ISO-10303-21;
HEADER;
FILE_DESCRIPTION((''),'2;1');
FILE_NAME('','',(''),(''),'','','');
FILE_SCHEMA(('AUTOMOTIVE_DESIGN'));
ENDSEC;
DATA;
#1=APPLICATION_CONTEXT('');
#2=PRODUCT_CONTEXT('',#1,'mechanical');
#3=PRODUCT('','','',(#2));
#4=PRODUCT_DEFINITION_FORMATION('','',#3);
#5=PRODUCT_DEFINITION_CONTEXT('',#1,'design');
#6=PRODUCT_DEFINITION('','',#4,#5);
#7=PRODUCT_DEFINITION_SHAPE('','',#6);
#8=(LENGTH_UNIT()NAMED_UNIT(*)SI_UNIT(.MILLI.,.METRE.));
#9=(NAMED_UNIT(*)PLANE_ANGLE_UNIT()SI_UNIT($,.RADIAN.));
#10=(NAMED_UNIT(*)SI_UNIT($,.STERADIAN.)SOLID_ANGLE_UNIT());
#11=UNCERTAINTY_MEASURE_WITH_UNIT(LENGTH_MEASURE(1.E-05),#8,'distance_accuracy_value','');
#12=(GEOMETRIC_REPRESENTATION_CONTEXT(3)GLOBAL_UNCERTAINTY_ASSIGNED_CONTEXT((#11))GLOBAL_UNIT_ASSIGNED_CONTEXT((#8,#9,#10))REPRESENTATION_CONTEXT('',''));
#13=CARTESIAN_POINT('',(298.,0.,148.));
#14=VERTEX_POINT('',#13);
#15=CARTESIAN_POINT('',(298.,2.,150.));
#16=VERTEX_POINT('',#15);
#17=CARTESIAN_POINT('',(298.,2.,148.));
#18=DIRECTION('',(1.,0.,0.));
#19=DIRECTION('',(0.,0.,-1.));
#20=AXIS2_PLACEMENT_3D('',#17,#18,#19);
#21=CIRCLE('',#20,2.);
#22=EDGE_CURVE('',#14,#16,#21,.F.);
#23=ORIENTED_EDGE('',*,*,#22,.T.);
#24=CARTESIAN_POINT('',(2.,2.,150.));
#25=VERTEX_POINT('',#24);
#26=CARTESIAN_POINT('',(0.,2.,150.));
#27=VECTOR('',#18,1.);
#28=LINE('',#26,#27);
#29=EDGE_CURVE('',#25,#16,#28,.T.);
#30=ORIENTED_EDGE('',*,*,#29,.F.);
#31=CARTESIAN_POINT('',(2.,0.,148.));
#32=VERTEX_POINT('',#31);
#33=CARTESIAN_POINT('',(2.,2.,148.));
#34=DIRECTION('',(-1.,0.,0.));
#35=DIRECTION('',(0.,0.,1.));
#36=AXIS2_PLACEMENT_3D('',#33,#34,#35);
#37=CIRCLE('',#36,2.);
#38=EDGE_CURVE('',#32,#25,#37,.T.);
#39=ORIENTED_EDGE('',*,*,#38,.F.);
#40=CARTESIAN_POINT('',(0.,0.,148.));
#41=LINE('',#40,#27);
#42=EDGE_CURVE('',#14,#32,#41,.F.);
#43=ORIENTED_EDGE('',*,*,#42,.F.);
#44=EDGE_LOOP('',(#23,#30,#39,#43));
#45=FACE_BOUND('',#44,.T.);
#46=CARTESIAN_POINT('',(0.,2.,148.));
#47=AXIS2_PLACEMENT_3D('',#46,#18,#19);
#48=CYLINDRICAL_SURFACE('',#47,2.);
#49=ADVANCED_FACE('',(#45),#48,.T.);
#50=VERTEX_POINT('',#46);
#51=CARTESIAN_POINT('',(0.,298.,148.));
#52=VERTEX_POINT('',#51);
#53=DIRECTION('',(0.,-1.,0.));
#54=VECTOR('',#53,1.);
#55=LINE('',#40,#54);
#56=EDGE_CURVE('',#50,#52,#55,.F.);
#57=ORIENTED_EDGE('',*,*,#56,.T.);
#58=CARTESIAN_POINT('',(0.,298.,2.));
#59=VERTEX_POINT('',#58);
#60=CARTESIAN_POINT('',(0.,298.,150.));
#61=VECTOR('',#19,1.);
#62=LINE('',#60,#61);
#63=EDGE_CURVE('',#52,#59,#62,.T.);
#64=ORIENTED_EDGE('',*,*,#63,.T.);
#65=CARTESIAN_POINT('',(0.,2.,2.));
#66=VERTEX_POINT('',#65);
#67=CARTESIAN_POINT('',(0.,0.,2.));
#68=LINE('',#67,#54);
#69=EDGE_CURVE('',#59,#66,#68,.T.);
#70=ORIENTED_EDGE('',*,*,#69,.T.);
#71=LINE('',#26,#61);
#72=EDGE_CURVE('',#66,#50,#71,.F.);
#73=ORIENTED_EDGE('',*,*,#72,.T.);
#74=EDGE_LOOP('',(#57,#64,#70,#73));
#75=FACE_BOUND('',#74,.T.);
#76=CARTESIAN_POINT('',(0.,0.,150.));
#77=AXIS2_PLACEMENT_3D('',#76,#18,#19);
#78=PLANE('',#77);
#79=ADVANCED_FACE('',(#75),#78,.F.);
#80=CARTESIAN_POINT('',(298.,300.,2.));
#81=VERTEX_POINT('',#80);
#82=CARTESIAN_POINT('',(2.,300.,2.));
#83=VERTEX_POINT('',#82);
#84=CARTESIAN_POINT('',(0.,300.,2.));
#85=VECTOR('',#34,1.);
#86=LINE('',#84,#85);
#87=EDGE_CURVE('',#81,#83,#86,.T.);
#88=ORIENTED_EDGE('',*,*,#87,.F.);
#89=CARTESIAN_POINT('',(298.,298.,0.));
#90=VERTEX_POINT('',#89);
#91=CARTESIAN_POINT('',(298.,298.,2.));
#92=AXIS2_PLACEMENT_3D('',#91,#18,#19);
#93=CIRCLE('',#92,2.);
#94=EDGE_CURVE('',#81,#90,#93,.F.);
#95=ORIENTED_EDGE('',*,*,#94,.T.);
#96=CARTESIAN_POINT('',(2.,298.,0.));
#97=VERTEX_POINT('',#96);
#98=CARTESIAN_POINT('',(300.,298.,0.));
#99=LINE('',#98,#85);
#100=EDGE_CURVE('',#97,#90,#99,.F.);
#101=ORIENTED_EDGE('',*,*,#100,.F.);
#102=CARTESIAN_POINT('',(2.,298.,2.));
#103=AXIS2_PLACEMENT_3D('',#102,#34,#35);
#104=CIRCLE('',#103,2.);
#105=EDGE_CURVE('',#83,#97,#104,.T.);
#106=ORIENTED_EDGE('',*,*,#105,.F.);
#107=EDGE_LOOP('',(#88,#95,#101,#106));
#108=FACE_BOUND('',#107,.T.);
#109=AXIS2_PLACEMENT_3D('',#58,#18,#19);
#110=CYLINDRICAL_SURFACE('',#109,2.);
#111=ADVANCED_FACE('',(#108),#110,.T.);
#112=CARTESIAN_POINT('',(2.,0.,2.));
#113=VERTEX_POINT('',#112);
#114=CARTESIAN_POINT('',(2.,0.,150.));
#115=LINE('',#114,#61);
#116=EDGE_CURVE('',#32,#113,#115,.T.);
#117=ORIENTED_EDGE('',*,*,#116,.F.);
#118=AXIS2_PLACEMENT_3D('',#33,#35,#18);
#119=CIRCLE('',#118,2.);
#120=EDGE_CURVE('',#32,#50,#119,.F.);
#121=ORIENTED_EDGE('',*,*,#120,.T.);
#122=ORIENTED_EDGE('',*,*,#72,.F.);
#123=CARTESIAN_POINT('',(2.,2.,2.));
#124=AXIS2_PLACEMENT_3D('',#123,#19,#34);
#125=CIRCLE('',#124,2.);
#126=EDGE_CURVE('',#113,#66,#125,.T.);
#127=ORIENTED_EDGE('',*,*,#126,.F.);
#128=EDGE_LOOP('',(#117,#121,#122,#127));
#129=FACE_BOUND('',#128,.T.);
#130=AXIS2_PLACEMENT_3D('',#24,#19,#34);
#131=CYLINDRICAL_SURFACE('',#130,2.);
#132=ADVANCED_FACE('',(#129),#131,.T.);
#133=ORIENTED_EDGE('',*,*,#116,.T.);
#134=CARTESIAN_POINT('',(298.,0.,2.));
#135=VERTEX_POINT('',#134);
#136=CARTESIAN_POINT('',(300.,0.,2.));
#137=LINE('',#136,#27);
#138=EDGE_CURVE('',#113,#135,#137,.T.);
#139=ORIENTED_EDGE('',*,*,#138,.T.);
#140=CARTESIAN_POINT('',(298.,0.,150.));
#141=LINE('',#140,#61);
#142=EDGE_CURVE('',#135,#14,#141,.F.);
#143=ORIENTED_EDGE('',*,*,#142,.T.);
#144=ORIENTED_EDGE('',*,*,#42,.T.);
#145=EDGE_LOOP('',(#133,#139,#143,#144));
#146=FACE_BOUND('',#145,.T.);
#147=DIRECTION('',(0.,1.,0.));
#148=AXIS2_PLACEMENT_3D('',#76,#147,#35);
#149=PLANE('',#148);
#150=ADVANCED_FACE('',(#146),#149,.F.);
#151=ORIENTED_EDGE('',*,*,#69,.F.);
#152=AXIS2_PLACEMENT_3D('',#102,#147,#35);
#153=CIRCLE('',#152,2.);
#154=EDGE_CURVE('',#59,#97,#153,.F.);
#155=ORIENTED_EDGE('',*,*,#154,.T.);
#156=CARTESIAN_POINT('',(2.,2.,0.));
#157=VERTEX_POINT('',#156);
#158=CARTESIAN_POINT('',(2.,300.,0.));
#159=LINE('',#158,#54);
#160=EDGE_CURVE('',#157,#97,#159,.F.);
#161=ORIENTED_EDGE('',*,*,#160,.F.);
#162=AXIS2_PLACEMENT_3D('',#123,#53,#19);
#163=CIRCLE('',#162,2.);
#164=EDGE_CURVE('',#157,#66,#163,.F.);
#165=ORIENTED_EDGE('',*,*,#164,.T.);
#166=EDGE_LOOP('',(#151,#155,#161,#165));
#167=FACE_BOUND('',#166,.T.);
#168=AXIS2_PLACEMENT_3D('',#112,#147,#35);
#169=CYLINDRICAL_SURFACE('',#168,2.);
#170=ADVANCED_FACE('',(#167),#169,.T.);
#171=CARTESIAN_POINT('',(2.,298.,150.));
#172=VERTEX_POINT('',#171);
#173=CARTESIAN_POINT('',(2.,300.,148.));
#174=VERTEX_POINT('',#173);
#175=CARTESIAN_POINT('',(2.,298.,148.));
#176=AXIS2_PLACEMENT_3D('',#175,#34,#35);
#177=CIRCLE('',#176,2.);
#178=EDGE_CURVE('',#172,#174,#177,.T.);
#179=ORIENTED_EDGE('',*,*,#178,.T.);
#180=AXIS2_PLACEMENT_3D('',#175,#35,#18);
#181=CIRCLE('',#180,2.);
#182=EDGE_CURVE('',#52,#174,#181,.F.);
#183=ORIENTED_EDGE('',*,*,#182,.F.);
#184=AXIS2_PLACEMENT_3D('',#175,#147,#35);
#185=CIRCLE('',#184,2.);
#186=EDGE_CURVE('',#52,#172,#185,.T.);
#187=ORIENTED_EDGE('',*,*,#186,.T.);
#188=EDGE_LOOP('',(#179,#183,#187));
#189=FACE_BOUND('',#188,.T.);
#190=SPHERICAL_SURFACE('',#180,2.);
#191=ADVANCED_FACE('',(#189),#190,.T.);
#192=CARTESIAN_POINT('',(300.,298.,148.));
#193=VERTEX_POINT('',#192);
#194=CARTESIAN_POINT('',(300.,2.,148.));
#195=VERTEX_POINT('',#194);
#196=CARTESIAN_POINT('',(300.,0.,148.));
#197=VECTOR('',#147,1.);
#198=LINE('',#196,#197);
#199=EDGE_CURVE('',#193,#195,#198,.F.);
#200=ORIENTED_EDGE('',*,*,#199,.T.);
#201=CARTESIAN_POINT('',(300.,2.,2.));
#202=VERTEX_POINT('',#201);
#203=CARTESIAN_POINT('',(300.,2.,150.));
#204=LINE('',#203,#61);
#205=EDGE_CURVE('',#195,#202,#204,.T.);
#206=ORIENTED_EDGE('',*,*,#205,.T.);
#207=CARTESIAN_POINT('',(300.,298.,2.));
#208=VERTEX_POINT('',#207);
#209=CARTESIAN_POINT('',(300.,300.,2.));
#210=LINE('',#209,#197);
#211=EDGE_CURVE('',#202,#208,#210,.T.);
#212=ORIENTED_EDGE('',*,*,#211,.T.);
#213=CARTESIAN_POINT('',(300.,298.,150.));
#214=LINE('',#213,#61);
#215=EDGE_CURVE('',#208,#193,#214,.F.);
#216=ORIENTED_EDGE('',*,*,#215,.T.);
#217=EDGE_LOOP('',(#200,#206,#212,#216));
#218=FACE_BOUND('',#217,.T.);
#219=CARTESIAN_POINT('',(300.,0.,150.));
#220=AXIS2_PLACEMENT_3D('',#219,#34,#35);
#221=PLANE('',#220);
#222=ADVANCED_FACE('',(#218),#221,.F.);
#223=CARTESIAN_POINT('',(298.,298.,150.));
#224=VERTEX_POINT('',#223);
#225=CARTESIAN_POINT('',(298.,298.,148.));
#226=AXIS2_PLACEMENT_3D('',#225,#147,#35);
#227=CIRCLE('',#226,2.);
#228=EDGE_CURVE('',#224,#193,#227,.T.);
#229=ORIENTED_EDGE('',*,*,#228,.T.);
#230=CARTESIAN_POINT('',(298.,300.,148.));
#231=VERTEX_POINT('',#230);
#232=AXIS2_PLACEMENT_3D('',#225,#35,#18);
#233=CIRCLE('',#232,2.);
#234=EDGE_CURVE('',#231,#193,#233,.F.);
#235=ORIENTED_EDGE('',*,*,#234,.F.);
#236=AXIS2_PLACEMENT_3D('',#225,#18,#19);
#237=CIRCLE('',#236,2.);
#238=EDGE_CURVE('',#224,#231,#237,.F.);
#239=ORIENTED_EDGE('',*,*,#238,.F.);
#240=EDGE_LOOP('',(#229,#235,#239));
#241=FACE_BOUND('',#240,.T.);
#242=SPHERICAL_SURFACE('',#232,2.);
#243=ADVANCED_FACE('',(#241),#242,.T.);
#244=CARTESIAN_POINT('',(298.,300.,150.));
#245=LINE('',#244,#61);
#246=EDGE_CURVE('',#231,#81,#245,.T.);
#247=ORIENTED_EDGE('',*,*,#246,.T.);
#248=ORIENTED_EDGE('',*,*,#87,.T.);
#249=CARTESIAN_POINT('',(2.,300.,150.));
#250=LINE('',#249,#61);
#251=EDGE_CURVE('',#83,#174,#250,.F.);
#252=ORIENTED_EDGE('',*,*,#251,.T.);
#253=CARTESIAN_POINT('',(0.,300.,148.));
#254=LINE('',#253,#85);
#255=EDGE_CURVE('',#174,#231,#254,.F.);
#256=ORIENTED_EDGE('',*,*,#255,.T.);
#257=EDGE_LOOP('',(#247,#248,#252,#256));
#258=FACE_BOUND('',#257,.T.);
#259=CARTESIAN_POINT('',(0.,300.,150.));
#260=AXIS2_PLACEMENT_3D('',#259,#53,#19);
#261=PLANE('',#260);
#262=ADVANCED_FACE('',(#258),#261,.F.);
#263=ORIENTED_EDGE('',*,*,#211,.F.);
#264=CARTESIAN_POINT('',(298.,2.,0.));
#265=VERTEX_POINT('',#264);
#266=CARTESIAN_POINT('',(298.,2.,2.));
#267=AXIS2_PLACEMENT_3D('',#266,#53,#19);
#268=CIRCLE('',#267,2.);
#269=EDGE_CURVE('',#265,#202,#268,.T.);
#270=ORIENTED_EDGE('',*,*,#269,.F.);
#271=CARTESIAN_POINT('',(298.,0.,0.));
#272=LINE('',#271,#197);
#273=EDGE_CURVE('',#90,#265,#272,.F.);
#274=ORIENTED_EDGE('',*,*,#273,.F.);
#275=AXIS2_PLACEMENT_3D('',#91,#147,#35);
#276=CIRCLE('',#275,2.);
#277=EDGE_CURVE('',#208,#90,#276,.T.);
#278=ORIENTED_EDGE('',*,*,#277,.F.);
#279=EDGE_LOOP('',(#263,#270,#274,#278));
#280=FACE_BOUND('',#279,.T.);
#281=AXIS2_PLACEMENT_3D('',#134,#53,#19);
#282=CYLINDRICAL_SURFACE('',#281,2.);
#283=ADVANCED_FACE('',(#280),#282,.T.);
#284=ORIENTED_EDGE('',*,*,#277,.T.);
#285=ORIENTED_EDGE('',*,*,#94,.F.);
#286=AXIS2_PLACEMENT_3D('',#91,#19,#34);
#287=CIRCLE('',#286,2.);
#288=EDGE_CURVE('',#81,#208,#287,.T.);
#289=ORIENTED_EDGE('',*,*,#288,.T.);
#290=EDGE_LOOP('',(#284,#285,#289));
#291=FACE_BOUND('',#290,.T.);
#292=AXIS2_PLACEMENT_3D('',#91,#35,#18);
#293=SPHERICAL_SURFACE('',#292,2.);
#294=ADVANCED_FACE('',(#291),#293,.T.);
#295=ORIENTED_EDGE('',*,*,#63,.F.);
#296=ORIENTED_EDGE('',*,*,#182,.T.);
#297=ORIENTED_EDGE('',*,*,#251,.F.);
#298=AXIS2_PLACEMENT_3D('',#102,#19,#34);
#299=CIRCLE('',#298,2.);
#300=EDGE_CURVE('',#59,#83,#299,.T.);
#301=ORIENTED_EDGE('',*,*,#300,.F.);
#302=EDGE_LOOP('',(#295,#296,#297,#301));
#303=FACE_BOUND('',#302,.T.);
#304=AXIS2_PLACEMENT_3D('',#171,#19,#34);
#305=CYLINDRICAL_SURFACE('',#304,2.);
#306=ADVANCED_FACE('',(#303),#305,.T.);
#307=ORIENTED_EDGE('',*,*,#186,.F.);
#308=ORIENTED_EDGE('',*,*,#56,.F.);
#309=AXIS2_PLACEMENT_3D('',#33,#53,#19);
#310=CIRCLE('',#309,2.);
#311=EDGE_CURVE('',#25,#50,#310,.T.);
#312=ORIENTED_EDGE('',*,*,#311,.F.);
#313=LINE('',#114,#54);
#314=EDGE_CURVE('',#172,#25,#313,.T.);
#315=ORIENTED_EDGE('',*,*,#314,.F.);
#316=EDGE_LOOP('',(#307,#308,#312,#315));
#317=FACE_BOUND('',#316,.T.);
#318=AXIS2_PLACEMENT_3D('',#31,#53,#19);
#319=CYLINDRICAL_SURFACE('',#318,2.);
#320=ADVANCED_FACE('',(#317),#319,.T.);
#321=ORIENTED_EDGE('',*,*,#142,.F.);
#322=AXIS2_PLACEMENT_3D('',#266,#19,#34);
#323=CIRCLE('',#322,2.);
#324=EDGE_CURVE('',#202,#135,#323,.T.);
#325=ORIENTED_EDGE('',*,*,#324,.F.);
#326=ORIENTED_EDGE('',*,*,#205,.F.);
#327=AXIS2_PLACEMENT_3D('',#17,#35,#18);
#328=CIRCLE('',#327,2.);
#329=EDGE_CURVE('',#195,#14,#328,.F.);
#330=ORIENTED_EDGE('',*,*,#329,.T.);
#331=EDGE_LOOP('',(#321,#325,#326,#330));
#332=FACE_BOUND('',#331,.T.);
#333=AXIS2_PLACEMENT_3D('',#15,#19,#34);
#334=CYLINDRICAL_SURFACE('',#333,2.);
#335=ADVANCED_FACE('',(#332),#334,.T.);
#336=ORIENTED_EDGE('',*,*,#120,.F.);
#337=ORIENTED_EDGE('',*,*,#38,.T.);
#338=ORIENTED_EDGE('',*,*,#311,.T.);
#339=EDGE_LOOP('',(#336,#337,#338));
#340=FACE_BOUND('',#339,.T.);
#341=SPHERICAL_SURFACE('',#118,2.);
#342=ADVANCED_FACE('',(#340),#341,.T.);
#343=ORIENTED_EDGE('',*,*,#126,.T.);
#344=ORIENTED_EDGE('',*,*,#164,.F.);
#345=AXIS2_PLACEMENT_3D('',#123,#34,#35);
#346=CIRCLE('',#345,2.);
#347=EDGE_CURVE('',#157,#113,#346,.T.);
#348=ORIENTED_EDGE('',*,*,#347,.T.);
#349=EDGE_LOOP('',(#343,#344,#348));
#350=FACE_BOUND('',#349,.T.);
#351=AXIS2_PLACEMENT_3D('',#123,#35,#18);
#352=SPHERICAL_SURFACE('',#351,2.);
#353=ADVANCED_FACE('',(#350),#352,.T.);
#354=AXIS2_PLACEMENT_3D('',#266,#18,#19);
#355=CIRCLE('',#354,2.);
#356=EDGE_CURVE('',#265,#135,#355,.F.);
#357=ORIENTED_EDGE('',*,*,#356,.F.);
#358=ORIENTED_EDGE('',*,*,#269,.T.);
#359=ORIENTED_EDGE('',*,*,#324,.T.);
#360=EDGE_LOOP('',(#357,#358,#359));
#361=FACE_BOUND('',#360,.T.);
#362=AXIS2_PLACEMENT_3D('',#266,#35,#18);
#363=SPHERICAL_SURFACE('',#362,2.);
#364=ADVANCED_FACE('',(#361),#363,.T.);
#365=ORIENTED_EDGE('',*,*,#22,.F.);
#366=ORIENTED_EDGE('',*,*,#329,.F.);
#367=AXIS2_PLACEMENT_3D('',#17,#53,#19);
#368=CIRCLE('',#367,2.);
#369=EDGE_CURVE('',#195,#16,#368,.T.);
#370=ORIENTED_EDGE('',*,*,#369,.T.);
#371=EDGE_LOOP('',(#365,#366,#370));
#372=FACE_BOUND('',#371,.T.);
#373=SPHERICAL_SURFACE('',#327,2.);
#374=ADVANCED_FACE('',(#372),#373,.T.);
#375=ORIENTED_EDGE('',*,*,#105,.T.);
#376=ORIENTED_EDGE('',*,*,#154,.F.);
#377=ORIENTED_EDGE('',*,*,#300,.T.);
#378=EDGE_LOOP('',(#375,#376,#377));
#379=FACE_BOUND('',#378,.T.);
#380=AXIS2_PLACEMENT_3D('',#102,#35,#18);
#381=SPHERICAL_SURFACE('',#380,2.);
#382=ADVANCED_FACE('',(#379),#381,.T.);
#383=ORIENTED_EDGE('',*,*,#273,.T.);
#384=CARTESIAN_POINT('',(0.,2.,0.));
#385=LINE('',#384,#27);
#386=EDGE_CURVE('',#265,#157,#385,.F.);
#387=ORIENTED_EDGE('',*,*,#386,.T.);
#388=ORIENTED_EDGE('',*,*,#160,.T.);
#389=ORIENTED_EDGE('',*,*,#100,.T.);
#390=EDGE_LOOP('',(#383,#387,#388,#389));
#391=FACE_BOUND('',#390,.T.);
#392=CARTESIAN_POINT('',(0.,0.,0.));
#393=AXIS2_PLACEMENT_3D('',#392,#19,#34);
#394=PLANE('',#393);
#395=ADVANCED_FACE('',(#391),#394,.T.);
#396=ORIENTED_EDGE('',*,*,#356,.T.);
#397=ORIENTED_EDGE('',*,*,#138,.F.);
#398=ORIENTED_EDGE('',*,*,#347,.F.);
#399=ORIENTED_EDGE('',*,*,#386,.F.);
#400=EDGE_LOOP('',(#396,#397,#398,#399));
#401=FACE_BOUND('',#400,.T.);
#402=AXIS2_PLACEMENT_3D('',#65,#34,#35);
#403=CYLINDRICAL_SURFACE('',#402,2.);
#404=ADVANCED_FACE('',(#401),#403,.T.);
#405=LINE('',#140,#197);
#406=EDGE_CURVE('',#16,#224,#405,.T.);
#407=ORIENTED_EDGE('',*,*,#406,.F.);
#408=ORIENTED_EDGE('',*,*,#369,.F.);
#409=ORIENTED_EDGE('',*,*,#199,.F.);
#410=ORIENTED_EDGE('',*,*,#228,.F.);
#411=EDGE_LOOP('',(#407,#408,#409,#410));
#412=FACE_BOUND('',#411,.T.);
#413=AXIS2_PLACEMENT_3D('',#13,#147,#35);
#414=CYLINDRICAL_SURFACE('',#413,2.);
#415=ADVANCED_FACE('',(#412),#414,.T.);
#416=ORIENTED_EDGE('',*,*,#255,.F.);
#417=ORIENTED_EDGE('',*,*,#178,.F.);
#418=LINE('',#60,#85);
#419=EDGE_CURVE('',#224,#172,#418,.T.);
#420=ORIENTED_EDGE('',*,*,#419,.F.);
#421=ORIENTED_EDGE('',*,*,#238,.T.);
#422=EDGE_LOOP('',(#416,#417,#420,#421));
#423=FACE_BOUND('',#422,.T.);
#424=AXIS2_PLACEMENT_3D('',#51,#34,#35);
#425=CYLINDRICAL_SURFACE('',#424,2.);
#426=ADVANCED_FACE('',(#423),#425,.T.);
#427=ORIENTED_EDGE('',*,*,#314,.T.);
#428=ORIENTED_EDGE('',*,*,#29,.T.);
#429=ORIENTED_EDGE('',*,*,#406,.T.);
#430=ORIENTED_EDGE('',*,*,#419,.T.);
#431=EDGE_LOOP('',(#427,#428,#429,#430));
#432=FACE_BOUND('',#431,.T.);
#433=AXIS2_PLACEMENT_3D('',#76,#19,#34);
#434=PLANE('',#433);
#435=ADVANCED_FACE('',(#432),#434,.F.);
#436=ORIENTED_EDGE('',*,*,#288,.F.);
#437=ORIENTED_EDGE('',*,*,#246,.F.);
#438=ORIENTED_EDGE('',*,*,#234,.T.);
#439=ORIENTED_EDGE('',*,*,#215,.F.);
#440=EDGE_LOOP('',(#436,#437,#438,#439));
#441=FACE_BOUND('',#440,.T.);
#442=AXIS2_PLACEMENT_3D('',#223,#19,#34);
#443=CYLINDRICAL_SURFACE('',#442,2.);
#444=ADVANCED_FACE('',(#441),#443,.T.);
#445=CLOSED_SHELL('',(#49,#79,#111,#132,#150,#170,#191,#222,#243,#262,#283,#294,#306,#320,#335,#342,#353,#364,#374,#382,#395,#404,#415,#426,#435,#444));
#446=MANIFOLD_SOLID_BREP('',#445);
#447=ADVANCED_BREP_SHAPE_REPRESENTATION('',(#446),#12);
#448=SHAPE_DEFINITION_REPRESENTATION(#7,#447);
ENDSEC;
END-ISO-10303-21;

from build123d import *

# Parameters (mm, degrees)
SKETCH_1_W      = 300
SKETCH_1_H      = 300
EXTRUDE_1_DEPTH = 150
FILLET_1_R      = 2


with BuildPart() as part:
    # 草图1 → 凸台-拉伸1 (new body)
    with BuildSketch(Plane.XY):
        with Locations((150, 150)):
            Rectangle(SKETCH_1_W, SKETCH_1_H)
    extrude(amount=EXTRUDE_1_DEPTH)

    # 圆角1
    fillet_1_edges = [part.edges().sort_by_distance(p)[0] for p in [
        (300, 150, 150),
        (150, 300, 150),
        (0, 150, 150),
        (150, 300, 0),
        (300, 150, 0),
        (150, 0, 0),
        (0, 150, 0),
        (150, 0, 150),
        (0, 300, 75),
        (300, 300, 75),
        (300, 0, 75),
        (0, 0, 75),
    ]]
    fillet(fillet_1_edges, radius=FILLET_1_R)


solid = part.part
